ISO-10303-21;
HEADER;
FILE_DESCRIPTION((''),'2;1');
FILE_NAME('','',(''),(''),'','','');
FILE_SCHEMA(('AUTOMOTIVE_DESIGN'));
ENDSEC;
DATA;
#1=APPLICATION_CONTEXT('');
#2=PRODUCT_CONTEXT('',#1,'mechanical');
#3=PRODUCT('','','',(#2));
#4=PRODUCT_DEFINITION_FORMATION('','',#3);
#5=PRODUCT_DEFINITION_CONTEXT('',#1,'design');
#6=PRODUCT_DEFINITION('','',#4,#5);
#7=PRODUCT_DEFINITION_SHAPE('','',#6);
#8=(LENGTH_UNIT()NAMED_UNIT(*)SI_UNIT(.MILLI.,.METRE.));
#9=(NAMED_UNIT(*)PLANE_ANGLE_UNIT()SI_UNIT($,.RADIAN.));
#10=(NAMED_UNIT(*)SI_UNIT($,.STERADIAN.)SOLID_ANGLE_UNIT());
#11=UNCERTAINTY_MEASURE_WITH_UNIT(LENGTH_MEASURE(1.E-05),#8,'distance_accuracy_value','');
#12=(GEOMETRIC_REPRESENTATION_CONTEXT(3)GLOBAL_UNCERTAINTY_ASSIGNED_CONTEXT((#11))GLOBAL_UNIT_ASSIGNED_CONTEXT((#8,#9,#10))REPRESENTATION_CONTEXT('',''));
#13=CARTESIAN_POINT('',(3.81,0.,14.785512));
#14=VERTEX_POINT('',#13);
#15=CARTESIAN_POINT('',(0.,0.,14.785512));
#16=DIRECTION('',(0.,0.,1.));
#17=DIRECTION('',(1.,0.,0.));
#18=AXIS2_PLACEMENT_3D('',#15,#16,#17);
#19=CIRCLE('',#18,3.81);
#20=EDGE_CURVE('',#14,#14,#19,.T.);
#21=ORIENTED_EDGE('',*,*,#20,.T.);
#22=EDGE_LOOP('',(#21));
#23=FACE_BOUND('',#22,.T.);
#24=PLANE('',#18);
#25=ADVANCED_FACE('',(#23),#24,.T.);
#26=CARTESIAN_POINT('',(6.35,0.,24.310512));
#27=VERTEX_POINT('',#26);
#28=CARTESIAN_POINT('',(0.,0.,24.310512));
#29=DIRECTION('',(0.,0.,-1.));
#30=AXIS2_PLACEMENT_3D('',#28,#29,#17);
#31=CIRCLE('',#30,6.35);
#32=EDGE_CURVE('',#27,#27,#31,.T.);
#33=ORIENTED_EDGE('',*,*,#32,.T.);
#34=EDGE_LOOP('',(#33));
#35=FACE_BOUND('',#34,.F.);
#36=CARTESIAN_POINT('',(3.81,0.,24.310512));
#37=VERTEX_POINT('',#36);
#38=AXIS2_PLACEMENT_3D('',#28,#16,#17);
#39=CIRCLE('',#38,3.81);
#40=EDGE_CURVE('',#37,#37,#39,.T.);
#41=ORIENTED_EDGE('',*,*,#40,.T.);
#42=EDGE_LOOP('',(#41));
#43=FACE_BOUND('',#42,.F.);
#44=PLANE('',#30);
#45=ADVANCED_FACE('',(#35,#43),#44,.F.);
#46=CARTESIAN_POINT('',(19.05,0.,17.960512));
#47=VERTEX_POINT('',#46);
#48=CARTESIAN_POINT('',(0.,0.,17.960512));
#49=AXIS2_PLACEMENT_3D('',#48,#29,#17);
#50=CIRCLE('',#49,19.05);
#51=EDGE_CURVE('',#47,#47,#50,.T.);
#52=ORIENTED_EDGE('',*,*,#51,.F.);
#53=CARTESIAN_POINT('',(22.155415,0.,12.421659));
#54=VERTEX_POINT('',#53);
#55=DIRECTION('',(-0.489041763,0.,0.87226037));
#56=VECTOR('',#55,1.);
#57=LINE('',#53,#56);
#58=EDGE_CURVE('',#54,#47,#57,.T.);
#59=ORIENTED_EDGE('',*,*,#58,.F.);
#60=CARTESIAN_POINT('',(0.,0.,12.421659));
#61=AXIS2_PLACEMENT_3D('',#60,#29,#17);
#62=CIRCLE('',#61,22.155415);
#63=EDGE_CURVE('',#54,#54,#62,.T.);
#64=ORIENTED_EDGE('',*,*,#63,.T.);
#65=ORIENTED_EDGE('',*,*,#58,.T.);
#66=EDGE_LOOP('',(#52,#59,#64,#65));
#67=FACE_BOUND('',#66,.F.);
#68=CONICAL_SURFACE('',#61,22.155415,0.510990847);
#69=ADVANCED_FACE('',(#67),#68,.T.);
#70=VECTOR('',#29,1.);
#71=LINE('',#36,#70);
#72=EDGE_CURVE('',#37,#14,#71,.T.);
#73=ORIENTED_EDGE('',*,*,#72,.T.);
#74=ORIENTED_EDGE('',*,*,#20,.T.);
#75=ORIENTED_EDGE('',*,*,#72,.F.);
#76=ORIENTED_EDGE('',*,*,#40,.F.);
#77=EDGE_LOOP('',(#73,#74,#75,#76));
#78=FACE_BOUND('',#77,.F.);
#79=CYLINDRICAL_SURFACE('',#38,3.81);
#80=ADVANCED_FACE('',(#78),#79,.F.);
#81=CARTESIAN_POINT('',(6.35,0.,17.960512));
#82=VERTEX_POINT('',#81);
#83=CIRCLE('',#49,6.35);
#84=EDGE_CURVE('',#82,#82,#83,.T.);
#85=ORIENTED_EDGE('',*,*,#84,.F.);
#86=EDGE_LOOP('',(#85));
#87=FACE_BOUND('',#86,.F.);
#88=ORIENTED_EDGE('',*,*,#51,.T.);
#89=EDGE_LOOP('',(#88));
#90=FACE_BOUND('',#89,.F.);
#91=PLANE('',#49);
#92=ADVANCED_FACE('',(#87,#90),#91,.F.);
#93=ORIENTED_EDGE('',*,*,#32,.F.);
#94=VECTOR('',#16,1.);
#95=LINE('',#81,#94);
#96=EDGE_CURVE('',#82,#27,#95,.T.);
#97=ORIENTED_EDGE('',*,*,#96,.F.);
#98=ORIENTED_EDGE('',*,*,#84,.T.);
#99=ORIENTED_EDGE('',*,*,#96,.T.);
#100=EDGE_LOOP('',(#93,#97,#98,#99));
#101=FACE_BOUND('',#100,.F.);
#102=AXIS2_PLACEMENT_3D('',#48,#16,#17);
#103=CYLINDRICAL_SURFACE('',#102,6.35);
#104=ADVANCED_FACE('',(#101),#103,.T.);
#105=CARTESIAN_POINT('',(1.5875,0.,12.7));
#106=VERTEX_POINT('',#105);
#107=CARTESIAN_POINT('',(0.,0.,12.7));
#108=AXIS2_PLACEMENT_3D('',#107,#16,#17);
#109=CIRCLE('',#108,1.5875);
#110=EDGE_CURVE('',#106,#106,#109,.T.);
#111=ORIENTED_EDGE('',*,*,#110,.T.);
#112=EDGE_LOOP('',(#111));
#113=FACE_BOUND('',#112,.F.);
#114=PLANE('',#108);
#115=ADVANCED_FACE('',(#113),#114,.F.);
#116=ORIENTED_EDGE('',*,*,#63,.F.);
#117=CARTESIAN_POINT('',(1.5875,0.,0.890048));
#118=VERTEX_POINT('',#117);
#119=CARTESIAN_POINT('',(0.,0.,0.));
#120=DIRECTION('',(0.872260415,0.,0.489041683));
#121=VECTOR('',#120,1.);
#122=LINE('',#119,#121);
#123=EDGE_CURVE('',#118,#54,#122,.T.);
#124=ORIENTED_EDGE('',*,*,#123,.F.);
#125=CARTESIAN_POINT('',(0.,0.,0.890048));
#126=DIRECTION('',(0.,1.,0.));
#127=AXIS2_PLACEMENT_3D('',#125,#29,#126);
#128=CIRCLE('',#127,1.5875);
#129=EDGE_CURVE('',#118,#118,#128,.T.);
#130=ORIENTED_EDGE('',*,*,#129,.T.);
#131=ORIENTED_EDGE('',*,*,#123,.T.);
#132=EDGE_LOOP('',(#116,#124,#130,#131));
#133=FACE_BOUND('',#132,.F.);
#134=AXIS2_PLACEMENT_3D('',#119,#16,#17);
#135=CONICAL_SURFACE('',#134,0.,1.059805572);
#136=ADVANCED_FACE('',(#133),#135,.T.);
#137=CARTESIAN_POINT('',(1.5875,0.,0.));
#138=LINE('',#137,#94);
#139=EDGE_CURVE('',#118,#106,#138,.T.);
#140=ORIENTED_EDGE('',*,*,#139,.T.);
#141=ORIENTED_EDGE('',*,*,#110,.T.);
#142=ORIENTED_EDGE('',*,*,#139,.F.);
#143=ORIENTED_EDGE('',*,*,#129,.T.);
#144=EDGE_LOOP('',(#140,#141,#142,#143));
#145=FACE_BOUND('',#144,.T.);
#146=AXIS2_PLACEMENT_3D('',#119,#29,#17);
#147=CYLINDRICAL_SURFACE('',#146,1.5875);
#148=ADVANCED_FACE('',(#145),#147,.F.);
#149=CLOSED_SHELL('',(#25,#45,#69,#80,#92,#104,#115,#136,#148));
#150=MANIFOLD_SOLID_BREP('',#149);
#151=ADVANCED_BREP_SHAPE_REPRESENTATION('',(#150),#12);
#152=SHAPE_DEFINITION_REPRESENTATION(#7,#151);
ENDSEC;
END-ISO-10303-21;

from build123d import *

# Parameters (mm, degrees)
F2_R     = 3.81
F3_DEPTH = 9.525
F4_R     = 1.5875
F5_DEPTH = 12.7


with BuildPart() as f1:
    # F0 (on Front) → F1 (revolve)
    with BuildSketch(Plane.XZ):
        Polygon((0, 24.310512), (0, 0), (22.155415, 12.421659), (19.05, 17.960512), (6.35, 17.960512), (6.35, 24.310512), align=None)
    revolve(axis=Axis((0, 0, 12.155256), (0, 0, -1)))

    # F2 (on face) → F3 (cut)
    with BuildSketch(Plane.XY.offset(24.310512)):
        Circle(F2_R)
    extrude(amount=-F3_DEPTH, mode=Mode.SUBTRACT)

    # F4 (on Top) → F5 (cut)
    with BuildSketch(Plane.XY):
        Circle(F4_R)
    extrude(amount=F5_DEPTH, mode=Mode.SUBTRACT)


solid = f1.part
